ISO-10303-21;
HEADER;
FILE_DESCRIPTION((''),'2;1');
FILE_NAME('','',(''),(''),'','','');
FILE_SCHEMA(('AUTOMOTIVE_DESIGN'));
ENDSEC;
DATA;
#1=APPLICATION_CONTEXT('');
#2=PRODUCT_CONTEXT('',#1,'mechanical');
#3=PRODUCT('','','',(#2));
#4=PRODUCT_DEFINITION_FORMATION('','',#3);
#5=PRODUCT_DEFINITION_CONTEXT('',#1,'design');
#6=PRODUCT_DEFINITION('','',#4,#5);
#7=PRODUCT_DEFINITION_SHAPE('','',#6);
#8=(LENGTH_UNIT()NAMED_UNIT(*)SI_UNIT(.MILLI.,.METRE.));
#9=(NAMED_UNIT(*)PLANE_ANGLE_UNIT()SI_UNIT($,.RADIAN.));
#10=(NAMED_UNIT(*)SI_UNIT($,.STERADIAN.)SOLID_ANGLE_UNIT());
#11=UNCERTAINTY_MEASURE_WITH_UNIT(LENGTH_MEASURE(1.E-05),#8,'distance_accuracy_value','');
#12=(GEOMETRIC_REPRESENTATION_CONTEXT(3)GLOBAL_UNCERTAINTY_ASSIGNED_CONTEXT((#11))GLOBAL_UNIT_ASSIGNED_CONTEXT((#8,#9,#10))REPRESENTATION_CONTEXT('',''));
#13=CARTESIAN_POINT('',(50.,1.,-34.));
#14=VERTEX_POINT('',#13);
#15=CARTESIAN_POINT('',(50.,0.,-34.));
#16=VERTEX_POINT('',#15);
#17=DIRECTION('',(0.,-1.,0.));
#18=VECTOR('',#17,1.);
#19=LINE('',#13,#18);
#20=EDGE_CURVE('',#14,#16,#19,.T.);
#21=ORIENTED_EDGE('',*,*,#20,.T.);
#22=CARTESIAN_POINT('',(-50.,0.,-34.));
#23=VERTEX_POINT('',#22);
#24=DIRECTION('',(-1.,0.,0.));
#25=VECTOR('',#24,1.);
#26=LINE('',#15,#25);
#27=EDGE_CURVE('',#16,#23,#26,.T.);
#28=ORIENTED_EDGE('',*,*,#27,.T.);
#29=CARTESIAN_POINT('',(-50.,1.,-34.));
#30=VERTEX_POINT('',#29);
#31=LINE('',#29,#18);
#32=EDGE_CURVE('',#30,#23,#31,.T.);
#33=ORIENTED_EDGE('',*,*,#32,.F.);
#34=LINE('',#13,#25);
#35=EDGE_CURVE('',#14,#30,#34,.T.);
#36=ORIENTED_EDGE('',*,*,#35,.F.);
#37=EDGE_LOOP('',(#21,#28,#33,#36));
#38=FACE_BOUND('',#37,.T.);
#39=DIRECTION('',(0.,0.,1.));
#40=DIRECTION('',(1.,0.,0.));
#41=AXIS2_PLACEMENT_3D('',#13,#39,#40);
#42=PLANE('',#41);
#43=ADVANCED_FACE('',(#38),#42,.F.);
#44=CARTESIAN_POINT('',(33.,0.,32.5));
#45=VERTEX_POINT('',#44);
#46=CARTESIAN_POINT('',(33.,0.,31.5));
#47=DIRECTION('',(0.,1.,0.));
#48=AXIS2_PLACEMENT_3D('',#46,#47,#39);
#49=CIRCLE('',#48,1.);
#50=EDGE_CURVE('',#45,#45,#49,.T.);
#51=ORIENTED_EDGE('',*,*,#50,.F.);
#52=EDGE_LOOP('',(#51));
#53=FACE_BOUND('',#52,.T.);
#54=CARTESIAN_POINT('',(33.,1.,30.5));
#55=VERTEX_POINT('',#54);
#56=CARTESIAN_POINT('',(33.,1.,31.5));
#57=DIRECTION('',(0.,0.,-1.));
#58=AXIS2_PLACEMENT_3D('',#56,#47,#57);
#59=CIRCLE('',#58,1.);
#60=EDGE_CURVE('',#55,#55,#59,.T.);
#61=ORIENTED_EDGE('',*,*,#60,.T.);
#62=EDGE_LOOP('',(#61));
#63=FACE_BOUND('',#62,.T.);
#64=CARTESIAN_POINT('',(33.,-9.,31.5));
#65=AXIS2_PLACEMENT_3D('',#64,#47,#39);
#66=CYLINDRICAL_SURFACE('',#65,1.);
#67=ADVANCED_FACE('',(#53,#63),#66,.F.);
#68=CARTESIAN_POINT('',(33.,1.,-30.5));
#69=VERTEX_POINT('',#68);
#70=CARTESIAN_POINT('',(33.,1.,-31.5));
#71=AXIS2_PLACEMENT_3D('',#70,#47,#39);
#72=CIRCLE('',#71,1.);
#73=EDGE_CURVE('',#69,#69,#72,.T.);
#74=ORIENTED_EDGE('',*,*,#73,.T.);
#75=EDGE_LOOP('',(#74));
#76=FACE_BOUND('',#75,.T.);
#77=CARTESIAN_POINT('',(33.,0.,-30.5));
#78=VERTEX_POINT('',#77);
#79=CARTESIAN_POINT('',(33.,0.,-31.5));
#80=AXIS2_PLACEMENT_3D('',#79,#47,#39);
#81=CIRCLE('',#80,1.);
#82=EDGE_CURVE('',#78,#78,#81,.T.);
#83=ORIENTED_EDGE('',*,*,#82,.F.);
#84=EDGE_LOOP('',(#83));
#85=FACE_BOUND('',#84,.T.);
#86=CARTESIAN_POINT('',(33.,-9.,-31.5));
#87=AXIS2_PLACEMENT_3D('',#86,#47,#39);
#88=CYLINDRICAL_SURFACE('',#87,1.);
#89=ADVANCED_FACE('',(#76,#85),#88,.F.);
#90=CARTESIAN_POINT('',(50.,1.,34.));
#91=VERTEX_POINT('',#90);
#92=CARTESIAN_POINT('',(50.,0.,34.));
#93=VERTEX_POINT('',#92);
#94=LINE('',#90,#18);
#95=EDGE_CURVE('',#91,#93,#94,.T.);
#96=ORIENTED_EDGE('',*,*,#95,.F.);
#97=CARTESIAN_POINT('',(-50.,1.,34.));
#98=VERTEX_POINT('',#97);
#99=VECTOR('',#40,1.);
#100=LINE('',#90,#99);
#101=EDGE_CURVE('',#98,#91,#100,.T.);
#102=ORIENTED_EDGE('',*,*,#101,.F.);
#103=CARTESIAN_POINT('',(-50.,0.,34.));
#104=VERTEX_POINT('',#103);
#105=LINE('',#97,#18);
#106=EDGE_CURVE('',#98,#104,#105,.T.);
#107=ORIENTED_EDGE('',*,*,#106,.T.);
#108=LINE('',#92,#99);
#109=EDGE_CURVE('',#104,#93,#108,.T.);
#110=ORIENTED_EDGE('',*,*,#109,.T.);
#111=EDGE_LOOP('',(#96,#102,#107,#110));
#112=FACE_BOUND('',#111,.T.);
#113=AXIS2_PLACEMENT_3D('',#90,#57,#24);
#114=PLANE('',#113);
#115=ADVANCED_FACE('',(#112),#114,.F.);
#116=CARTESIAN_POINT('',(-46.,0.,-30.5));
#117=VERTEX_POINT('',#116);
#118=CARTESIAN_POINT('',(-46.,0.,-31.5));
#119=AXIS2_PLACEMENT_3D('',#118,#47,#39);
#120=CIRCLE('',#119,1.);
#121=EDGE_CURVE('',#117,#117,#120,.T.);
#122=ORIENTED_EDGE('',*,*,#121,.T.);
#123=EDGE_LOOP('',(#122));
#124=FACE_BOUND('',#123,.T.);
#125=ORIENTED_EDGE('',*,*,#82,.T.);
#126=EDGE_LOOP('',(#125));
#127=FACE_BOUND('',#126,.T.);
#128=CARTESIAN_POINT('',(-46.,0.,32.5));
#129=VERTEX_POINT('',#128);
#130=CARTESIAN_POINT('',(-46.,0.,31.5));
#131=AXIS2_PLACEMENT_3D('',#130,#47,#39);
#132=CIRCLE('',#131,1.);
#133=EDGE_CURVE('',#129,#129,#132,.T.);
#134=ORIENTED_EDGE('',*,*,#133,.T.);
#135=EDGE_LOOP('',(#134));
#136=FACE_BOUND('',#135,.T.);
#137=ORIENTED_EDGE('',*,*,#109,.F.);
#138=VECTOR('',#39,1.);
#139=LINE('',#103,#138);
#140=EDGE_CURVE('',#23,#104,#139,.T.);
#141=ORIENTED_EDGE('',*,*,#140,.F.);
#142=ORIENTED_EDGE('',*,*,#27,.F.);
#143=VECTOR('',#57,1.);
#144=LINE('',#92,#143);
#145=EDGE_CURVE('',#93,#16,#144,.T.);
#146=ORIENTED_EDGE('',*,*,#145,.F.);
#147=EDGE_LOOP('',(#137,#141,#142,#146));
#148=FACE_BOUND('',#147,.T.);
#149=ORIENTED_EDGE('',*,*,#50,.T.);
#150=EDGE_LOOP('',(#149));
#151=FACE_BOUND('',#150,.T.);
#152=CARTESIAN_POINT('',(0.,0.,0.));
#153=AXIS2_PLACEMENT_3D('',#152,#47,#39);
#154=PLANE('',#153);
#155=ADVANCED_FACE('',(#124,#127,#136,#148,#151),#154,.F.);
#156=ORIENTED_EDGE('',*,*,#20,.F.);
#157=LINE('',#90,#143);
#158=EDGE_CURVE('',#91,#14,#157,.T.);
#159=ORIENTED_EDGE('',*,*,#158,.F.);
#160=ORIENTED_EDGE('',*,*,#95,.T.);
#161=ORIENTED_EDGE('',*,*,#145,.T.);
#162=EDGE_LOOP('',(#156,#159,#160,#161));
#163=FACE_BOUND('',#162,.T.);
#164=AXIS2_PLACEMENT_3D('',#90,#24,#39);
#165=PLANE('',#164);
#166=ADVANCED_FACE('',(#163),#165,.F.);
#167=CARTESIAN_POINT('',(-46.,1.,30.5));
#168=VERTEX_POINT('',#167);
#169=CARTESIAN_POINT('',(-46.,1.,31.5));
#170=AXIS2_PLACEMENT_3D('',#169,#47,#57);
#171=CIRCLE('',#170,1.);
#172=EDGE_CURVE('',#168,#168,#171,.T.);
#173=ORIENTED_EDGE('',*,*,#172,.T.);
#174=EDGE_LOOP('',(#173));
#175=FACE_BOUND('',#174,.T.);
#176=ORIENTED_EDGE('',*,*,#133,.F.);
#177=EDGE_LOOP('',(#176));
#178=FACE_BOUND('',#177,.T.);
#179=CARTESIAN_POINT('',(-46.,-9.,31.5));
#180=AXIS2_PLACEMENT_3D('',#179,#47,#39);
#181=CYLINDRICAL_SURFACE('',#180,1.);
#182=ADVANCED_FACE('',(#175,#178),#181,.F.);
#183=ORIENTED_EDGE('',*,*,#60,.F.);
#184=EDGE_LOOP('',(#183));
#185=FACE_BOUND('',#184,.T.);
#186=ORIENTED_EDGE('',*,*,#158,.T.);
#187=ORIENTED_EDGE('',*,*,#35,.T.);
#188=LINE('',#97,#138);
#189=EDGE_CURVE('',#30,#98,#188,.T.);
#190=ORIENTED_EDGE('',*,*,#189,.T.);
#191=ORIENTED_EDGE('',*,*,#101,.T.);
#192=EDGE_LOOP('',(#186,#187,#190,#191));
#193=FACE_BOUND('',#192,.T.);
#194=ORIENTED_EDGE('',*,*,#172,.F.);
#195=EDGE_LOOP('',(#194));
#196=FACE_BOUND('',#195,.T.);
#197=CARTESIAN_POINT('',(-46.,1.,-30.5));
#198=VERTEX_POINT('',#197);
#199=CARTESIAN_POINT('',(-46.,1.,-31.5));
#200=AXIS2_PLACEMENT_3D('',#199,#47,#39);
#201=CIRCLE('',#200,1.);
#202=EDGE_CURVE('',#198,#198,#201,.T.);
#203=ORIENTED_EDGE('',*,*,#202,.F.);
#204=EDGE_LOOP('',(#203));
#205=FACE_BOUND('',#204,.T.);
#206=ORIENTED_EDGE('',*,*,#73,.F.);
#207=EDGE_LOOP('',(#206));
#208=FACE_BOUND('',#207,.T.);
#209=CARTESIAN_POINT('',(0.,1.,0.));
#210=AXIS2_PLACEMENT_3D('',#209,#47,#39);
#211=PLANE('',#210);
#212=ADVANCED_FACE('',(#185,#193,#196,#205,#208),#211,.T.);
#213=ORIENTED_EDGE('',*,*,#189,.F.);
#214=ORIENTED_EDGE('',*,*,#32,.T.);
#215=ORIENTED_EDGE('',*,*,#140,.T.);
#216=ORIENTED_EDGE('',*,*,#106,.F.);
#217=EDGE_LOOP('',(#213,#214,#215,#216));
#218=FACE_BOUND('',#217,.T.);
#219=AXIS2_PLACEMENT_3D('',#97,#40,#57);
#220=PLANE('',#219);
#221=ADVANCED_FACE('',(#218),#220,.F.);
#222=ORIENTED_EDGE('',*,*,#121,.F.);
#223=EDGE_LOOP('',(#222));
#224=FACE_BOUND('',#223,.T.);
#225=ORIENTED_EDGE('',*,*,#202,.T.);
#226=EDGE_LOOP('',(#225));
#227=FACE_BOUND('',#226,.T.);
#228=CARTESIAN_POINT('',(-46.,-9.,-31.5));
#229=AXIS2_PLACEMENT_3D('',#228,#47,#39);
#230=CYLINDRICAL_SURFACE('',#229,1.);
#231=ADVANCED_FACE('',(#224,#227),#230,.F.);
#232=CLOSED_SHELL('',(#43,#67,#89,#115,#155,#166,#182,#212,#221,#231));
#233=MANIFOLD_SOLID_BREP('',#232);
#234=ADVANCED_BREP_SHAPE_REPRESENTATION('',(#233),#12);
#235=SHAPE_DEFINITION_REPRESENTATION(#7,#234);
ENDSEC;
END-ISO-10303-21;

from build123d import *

# Parameters (mm, degrees)
SKETCH_1_W          = 100
SKETCH_1_H          = 68
EXTRUDE_1_DEPTH     = 1
SKETCH_2_R          = 1
CUT_EXTRUDE_1_DEPTH = 10


with BuildPart() as part:
    # Эскиз1 → Бобышка-Вытянуть1 (new body)
    with BuildSketch(Plane(origin=(0, 0, 0), x_dir=(1, 0, 0), z_dir=(0, 1, 0))):
        Rectangle(SKETCH_1_W, SKETCH_1_H)
    extrude(amount=EXTRUDE_1_DEPTH)

    # Эскиз2 → Вырез-Вытянуть1 (cut)
    with BuildSketch(Plane(origin=(0, 1, 0), x_dir=(1, 0, 0), z_dir=(0, 1, 0))):
        with Locations(Location((-46, 31.5, 0), (0, 0, 270))):
            Circle(SKETCH_2_R)
        with Locations(Location((33, 31.5, 0), (0, 0, 270))):
            Circle(SKETCH_2_R)
        with Locations(Location((33, -31.5, 0), (0, 0, 270))):
            Circle(SKETCH_2_R)
        with Locations(Location((-46, -31.5, 0), (0, 0, 270))):
            Circle(SKETCH_2_R)
    extrude(amount=-CUT_EXTRUDE_1_DEPTH, mode=Mode.SUBTRACT)


solid = part.part
